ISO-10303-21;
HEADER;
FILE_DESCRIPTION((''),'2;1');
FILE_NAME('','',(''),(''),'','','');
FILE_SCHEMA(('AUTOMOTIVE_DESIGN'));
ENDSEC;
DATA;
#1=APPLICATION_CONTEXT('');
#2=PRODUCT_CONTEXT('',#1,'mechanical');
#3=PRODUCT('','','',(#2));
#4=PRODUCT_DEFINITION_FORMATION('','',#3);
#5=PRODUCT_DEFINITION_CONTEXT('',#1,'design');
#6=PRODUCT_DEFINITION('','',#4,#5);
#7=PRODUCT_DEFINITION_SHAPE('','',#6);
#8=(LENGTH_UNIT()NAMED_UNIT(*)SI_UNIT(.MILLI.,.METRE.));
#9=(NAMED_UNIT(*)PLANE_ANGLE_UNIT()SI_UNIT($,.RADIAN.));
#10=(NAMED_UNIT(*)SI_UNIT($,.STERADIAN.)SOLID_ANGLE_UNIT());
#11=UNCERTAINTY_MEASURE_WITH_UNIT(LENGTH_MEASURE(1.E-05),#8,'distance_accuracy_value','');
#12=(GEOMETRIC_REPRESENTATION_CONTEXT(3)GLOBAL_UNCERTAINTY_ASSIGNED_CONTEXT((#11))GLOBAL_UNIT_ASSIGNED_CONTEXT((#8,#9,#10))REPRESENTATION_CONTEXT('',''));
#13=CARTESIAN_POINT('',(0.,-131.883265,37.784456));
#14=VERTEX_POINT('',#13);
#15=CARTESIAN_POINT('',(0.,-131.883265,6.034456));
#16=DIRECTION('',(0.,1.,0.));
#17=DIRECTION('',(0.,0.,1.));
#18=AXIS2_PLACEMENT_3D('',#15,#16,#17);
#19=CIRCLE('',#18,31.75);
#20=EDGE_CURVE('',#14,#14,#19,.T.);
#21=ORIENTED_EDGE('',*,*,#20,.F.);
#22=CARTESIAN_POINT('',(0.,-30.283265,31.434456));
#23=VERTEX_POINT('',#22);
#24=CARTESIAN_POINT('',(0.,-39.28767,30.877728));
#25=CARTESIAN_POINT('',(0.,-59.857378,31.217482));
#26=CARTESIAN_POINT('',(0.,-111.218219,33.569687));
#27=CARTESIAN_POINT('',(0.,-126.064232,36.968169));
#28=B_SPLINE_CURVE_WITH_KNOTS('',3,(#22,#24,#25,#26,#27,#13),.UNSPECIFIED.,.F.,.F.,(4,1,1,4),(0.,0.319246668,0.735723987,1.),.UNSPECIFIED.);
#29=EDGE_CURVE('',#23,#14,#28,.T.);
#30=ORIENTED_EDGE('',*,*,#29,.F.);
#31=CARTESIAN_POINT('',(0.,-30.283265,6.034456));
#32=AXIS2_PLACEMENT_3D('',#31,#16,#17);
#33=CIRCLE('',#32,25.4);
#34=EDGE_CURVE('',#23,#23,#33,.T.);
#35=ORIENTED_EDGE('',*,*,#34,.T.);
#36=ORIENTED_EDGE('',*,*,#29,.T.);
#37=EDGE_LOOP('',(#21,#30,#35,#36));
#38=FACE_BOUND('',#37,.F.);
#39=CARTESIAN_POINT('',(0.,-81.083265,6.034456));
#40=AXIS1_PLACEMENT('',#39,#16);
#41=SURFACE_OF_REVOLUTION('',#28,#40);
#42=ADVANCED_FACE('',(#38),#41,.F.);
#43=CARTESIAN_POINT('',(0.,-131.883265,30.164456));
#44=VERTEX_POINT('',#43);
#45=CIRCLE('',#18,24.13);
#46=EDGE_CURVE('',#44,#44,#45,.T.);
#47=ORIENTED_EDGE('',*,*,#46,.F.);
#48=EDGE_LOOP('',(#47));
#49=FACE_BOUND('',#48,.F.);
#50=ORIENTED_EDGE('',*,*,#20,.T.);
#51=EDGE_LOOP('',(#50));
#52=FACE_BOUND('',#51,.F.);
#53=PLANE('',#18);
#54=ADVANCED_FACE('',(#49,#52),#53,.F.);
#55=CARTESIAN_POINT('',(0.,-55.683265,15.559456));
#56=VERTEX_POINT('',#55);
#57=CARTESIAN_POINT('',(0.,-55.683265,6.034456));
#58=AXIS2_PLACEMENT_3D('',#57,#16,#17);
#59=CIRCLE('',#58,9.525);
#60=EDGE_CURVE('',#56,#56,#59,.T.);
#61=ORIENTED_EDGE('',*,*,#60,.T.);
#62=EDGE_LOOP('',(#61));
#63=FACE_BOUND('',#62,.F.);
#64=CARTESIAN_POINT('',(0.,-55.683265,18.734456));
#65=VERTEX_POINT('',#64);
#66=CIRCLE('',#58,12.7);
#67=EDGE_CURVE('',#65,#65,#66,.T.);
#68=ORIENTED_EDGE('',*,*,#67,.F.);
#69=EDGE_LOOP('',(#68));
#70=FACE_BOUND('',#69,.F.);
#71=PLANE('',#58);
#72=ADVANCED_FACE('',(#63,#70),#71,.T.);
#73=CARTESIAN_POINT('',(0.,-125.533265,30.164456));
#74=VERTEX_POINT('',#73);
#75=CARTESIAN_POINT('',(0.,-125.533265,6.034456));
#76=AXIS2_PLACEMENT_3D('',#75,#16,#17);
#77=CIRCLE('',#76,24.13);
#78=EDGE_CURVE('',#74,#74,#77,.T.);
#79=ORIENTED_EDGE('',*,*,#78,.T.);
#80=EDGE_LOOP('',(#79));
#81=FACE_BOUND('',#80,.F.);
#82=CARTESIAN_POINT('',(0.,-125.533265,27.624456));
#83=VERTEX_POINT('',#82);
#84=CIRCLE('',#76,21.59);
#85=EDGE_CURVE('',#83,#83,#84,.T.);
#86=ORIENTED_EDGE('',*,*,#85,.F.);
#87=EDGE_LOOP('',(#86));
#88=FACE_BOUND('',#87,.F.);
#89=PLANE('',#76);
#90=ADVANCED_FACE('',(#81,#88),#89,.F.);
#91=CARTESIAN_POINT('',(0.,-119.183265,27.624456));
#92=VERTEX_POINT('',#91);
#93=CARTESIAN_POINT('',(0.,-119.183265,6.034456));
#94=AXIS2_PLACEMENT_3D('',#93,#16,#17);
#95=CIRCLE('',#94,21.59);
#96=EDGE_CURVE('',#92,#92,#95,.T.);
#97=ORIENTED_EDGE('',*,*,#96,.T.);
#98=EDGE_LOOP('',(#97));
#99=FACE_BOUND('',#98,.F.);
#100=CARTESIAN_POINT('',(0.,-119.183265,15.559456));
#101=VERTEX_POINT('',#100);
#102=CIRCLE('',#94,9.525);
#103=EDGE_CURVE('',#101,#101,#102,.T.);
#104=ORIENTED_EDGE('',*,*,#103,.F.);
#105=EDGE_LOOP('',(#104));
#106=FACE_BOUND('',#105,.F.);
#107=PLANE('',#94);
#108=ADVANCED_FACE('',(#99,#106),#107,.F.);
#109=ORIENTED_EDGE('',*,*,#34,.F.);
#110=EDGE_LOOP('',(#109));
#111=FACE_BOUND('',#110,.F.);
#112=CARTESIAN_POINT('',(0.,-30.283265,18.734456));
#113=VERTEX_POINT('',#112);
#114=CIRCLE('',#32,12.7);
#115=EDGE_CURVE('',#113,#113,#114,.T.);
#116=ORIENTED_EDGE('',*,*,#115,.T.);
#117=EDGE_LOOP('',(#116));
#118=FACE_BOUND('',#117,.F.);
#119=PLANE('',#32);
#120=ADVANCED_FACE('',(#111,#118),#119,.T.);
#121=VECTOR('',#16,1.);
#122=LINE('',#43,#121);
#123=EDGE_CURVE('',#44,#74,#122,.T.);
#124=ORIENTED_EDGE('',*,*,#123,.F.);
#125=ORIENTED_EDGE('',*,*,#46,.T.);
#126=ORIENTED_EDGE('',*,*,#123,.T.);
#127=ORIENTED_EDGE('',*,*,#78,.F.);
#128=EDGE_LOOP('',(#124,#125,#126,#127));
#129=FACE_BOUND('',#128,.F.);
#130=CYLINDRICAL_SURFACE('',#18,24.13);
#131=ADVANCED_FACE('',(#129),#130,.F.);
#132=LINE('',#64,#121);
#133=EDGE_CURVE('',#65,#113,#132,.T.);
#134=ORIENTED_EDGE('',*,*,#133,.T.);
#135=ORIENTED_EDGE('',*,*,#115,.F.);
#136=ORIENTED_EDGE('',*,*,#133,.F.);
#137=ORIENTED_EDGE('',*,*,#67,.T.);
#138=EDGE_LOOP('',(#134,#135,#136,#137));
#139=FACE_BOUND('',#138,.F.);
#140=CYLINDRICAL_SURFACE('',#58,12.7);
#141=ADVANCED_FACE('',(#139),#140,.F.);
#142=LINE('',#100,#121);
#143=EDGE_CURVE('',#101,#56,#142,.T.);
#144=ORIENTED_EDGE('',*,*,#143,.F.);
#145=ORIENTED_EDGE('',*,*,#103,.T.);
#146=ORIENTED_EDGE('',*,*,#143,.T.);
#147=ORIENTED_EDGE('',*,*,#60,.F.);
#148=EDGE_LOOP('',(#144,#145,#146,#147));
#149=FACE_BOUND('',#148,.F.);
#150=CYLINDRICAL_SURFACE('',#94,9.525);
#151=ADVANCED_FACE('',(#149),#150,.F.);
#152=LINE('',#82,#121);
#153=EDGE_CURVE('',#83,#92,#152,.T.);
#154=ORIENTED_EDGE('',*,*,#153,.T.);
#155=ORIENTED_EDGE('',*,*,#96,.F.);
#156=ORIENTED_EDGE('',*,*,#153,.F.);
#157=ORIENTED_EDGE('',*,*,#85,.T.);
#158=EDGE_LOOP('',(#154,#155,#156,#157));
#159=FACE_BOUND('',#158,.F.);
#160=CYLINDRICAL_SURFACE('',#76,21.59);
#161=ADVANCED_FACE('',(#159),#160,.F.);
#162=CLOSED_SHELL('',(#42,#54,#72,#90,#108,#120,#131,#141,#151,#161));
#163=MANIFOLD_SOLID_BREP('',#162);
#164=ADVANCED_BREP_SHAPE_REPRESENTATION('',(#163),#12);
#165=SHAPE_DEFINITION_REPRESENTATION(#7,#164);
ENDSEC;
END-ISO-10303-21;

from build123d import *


with BuildPart() as f1:
    # F0 (on Right) → F1 (revolve)
    with BuildSketch(Plane.YZ):
        with BuildLine():
            add(Edge.make_bspline(
                [(-30.2832648158, 31.4344563204), (-39.2876701466, 30.8777280285), (-59.8573779262, 31.2174822431), (-111.2182187798, 33.5696872933), (-126.0642315855, 36.9681688544), (-131.8832648158, 37.7844563204)],
                knots=[0, 0, 0, 0, 0.3192466678, 0.7357239866, 1, 1, 1, 1], degree=3))
            Line((-131.8832648158, 37.7844563204), (-131.8832648158, 30.1644563204))
            Line((-131.8832648158, 30.1644563204), (-125.5332648158, 30.1644563204))
            Line((-125.5332648158, 30.1644563204), (-125.5332648158, 27.6244563204))
            Line((-125.5332648158, 27.6244563204), (-119.1832648158, 27.6244563204))
            Line((-119.1832648158, 27.6244563204), (-119.1832648158, 15.5594563204))
            Line((-119.1832648158, 15.5594563204), (-55.6832648158, 15.5594563204))
            Line((-55.6832648158, 15.5594563204), (-55.6832648158, 18.7344563204))
            Line((-55.6832648158, 18.7344563204), (-30.2832648158, 18.7344563204))
            Line((-30.2832648158, 18.7344563204), (-30.2832648158, 31.4344563204))
        make_face()
    revolve(axis=Axis((0, -81.0832648158, 6.0344563204), (0, 1, 0)))


solid = f1.part
